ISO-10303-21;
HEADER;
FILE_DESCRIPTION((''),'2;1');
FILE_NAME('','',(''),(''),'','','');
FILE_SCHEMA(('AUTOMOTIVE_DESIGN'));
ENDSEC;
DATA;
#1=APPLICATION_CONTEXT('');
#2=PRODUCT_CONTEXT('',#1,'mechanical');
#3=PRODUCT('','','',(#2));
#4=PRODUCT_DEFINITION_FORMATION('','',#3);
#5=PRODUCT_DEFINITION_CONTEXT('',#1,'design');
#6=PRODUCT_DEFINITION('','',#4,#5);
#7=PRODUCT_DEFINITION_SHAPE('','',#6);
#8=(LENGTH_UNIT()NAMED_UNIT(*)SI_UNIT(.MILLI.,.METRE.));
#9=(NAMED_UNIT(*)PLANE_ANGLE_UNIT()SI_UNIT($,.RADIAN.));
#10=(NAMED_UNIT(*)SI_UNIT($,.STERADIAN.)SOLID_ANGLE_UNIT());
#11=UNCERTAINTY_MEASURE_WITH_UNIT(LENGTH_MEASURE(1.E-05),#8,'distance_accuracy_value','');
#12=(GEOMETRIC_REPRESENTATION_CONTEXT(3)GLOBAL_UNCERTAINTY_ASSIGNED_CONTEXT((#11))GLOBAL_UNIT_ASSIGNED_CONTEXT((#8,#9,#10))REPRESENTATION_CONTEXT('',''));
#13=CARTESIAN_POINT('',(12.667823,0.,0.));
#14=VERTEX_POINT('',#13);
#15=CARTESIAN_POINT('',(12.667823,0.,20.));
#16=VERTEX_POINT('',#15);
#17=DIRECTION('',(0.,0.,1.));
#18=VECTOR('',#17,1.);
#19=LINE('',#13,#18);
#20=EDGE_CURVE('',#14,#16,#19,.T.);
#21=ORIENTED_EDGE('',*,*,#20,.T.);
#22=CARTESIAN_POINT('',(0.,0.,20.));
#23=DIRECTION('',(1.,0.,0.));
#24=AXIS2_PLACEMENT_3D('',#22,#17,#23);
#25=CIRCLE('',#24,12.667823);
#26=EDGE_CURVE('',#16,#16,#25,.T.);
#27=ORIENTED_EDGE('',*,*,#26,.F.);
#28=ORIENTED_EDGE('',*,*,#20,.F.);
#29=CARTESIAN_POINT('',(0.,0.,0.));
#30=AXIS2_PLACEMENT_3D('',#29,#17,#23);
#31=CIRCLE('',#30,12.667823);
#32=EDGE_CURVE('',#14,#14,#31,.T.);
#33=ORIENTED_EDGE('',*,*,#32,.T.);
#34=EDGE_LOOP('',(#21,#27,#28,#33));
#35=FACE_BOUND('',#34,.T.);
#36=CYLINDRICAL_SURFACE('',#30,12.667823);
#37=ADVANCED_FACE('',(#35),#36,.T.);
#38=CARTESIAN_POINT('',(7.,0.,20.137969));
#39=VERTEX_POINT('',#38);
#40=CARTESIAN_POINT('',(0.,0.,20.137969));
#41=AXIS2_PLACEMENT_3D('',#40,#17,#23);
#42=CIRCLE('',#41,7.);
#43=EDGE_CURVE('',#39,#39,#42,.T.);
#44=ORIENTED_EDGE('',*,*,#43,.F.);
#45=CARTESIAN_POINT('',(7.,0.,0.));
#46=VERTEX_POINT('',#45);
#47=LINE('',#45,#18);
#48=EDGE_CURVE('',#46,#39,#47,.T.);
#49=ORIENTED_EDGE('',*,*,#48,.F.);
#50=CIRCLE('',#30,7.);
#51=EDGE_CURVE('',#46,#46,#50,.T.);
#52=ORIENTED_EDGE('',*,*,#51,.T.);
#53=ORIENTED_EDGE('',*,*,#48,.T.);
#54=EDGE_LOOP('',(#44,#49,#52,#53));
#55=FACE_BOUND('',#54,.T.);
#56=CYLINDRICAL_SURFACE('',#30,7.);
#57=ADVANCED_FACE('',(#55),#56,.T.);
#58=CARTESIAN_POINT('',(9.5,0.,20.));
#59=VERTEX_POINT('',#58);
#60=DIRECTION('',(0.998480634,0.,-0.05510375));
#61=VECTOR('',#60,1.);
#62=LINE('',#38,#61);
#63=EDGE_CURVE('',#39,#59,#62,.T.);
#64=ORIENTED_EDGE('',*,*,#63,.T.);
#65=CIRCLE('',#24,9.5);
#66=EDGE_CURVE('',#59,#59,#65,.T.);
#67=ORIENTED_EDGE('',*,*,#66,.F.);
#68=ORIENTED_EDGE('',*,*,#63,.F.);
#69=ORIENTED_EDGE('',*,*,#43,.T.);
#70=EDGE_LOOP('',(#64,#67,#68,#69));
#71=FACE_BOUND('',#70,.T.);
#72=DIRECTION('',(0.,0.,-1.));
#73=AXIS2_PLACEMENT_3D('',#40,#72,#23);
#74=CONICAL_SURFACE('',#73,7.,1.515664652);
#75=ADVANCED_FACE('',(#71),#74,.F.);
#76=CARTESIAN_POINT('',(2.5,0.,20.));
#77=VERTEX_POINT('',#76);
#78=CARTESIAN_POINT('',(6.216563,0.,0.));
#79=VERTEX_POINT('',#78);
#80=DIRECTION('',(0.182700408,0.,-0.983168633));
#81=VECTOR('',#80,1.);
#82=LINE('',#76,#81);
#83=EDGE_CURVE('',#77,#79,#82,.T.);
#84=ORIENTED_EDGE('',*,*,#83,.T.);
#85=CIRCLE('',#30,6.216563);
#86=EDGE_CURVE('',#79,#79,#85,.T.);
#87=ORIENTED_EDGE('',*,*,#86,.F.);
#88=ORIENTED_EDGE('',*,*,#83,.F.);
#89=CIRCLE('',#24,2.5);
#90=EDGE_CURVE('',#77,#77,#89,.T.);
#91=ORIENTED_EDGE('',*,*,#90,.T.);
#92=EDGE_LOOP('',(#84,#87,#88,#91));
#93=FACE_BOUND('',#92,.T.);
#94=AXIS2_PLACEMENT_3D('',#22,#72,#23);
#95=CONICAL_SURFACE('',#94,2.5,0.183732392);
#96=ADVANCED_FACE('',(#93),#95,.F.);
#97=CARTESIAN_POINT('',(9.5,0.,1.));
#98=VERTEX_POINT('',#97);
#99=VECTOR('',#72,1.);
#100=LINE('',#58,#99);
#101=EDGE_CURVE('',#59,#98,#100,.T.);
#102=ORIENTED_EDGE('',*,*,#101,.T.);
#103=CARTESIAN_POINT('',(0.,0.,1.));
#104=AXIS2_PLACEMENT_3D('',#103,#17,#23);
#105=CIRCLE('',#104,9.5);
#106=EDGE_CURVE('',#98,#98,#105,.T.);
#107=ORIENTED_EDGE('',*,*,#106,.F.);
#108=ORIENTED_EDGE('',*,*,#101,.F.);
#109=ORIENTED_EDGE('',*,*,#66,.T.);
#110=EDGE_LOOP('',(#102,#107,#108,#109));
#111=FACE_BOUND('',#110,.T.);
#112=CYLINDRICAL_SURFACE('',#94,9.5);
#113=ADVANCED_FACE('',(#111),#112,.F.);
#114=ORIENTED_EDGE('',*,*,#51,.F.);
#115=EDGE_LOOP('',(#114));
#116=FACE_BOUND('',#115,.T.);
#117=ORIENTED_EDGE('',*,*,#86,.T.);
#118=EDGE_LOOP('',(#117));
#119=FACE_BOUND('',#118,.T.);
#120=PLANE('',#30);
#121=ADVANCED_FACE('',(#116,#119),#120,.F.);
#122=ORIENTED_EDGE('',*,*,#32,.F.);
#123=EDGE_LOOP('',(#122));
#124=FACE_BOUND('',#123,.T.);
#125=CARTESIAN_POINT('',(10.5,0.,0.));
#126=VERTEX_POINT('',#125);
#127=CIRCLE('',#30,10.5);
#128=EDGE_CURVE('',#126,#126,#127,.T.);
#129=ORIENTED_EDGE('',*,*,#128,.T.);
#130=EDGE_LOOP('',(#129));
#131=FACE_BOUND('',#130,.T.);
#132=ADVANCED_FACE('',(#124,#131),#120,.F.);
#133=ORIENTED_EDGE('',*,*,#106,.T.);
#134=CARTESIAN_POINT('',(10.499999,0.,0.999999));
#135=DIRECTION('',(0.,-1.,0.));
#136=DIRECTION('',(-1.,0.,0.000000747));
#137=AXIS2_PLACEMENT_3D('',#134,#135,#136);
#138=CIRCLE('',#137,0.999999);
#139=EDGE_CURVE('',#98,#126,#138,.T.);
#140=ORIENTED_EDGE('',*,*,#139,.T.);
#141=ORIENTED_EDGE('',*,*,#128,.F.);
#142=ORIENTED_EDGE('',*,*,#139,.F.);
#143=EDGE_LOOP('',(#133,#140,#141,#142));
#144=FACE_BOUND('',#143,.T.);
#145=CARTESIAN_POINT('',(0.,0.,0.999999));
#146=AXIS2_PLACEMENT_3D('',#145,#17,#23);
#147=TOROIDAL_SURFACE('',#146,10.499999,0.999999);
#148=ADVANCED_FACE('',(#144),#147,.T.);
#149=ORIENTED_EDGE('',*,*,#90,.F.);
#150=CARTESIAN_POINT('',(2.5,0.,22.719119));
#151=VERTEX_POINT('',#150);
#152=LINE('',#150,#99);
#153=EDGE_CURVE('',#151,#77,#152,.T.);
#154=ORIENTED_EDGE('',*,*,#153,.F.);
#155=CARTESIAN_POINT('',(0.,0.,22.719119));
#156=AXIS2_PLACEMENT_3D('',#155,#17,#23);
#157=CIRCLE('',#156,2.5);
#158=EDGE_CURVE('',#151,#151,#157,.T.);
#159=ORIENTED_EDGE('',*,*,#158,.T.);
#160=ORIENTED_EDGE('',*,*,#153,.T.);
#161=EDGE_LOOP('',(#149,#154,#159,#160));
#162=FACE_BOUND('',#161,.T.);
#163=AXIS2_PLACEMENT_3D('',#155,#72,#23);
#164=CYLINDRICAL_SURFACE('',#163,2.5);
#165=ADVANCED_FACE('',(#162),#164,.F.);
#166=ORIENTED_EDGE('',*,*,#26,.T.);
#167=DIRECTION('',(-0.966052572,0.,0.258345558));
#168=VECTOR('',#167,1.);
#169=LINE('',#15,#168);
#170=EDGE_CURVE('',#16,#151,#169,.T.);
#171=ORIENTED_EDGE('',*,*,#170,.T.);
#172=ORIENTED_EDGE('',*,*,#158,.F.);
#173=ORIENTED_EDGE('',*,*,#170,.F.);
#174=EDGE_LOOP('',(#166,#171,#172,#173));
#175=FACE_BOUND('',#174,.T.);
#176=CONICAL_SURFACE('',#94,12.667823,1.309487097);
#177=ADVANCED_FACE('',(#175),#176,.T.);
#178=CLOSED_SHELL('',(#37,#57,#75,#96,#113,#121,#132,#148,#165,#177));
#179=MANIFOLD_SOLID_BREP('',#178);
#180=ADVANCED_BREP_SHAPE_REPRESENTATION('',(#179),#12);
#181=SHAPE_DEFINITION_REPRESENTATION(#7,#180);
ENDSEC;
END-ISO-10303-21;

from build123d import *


with BuildPart() as f1:
    # F0 (on Front) → F1 (revolve)
    with BuildSketch(Plane.XZ):
        with BuildLine():
            Line((9.5, 20), (9.5, 1))
            ThreePointArc((9.5, 1), (9.792893, 0.292893), (10.5, 0))
            Line((10.5, 0), (11.837256, 0))
            Line((11.837256, 0), (12.667823, 0))
            Line((12.667823, 0), (12.667823, 20))
            Line((12.667823, 20), (2.5, 22.719119))
            Line((2.5, 22.719119), (2.5, 20))
            Line((2.5, 20), (6.216563, 0))
            Line((6.216563, 0), (7, 0))
            Line((7, 0), (7, 20.137969))
            Line((7, 20.137969), (9.5, 20))
        make_face()
    revolve(axis=Axis((0, 0, 8.652783), (0, 0, 1)))


solid = f1.part
